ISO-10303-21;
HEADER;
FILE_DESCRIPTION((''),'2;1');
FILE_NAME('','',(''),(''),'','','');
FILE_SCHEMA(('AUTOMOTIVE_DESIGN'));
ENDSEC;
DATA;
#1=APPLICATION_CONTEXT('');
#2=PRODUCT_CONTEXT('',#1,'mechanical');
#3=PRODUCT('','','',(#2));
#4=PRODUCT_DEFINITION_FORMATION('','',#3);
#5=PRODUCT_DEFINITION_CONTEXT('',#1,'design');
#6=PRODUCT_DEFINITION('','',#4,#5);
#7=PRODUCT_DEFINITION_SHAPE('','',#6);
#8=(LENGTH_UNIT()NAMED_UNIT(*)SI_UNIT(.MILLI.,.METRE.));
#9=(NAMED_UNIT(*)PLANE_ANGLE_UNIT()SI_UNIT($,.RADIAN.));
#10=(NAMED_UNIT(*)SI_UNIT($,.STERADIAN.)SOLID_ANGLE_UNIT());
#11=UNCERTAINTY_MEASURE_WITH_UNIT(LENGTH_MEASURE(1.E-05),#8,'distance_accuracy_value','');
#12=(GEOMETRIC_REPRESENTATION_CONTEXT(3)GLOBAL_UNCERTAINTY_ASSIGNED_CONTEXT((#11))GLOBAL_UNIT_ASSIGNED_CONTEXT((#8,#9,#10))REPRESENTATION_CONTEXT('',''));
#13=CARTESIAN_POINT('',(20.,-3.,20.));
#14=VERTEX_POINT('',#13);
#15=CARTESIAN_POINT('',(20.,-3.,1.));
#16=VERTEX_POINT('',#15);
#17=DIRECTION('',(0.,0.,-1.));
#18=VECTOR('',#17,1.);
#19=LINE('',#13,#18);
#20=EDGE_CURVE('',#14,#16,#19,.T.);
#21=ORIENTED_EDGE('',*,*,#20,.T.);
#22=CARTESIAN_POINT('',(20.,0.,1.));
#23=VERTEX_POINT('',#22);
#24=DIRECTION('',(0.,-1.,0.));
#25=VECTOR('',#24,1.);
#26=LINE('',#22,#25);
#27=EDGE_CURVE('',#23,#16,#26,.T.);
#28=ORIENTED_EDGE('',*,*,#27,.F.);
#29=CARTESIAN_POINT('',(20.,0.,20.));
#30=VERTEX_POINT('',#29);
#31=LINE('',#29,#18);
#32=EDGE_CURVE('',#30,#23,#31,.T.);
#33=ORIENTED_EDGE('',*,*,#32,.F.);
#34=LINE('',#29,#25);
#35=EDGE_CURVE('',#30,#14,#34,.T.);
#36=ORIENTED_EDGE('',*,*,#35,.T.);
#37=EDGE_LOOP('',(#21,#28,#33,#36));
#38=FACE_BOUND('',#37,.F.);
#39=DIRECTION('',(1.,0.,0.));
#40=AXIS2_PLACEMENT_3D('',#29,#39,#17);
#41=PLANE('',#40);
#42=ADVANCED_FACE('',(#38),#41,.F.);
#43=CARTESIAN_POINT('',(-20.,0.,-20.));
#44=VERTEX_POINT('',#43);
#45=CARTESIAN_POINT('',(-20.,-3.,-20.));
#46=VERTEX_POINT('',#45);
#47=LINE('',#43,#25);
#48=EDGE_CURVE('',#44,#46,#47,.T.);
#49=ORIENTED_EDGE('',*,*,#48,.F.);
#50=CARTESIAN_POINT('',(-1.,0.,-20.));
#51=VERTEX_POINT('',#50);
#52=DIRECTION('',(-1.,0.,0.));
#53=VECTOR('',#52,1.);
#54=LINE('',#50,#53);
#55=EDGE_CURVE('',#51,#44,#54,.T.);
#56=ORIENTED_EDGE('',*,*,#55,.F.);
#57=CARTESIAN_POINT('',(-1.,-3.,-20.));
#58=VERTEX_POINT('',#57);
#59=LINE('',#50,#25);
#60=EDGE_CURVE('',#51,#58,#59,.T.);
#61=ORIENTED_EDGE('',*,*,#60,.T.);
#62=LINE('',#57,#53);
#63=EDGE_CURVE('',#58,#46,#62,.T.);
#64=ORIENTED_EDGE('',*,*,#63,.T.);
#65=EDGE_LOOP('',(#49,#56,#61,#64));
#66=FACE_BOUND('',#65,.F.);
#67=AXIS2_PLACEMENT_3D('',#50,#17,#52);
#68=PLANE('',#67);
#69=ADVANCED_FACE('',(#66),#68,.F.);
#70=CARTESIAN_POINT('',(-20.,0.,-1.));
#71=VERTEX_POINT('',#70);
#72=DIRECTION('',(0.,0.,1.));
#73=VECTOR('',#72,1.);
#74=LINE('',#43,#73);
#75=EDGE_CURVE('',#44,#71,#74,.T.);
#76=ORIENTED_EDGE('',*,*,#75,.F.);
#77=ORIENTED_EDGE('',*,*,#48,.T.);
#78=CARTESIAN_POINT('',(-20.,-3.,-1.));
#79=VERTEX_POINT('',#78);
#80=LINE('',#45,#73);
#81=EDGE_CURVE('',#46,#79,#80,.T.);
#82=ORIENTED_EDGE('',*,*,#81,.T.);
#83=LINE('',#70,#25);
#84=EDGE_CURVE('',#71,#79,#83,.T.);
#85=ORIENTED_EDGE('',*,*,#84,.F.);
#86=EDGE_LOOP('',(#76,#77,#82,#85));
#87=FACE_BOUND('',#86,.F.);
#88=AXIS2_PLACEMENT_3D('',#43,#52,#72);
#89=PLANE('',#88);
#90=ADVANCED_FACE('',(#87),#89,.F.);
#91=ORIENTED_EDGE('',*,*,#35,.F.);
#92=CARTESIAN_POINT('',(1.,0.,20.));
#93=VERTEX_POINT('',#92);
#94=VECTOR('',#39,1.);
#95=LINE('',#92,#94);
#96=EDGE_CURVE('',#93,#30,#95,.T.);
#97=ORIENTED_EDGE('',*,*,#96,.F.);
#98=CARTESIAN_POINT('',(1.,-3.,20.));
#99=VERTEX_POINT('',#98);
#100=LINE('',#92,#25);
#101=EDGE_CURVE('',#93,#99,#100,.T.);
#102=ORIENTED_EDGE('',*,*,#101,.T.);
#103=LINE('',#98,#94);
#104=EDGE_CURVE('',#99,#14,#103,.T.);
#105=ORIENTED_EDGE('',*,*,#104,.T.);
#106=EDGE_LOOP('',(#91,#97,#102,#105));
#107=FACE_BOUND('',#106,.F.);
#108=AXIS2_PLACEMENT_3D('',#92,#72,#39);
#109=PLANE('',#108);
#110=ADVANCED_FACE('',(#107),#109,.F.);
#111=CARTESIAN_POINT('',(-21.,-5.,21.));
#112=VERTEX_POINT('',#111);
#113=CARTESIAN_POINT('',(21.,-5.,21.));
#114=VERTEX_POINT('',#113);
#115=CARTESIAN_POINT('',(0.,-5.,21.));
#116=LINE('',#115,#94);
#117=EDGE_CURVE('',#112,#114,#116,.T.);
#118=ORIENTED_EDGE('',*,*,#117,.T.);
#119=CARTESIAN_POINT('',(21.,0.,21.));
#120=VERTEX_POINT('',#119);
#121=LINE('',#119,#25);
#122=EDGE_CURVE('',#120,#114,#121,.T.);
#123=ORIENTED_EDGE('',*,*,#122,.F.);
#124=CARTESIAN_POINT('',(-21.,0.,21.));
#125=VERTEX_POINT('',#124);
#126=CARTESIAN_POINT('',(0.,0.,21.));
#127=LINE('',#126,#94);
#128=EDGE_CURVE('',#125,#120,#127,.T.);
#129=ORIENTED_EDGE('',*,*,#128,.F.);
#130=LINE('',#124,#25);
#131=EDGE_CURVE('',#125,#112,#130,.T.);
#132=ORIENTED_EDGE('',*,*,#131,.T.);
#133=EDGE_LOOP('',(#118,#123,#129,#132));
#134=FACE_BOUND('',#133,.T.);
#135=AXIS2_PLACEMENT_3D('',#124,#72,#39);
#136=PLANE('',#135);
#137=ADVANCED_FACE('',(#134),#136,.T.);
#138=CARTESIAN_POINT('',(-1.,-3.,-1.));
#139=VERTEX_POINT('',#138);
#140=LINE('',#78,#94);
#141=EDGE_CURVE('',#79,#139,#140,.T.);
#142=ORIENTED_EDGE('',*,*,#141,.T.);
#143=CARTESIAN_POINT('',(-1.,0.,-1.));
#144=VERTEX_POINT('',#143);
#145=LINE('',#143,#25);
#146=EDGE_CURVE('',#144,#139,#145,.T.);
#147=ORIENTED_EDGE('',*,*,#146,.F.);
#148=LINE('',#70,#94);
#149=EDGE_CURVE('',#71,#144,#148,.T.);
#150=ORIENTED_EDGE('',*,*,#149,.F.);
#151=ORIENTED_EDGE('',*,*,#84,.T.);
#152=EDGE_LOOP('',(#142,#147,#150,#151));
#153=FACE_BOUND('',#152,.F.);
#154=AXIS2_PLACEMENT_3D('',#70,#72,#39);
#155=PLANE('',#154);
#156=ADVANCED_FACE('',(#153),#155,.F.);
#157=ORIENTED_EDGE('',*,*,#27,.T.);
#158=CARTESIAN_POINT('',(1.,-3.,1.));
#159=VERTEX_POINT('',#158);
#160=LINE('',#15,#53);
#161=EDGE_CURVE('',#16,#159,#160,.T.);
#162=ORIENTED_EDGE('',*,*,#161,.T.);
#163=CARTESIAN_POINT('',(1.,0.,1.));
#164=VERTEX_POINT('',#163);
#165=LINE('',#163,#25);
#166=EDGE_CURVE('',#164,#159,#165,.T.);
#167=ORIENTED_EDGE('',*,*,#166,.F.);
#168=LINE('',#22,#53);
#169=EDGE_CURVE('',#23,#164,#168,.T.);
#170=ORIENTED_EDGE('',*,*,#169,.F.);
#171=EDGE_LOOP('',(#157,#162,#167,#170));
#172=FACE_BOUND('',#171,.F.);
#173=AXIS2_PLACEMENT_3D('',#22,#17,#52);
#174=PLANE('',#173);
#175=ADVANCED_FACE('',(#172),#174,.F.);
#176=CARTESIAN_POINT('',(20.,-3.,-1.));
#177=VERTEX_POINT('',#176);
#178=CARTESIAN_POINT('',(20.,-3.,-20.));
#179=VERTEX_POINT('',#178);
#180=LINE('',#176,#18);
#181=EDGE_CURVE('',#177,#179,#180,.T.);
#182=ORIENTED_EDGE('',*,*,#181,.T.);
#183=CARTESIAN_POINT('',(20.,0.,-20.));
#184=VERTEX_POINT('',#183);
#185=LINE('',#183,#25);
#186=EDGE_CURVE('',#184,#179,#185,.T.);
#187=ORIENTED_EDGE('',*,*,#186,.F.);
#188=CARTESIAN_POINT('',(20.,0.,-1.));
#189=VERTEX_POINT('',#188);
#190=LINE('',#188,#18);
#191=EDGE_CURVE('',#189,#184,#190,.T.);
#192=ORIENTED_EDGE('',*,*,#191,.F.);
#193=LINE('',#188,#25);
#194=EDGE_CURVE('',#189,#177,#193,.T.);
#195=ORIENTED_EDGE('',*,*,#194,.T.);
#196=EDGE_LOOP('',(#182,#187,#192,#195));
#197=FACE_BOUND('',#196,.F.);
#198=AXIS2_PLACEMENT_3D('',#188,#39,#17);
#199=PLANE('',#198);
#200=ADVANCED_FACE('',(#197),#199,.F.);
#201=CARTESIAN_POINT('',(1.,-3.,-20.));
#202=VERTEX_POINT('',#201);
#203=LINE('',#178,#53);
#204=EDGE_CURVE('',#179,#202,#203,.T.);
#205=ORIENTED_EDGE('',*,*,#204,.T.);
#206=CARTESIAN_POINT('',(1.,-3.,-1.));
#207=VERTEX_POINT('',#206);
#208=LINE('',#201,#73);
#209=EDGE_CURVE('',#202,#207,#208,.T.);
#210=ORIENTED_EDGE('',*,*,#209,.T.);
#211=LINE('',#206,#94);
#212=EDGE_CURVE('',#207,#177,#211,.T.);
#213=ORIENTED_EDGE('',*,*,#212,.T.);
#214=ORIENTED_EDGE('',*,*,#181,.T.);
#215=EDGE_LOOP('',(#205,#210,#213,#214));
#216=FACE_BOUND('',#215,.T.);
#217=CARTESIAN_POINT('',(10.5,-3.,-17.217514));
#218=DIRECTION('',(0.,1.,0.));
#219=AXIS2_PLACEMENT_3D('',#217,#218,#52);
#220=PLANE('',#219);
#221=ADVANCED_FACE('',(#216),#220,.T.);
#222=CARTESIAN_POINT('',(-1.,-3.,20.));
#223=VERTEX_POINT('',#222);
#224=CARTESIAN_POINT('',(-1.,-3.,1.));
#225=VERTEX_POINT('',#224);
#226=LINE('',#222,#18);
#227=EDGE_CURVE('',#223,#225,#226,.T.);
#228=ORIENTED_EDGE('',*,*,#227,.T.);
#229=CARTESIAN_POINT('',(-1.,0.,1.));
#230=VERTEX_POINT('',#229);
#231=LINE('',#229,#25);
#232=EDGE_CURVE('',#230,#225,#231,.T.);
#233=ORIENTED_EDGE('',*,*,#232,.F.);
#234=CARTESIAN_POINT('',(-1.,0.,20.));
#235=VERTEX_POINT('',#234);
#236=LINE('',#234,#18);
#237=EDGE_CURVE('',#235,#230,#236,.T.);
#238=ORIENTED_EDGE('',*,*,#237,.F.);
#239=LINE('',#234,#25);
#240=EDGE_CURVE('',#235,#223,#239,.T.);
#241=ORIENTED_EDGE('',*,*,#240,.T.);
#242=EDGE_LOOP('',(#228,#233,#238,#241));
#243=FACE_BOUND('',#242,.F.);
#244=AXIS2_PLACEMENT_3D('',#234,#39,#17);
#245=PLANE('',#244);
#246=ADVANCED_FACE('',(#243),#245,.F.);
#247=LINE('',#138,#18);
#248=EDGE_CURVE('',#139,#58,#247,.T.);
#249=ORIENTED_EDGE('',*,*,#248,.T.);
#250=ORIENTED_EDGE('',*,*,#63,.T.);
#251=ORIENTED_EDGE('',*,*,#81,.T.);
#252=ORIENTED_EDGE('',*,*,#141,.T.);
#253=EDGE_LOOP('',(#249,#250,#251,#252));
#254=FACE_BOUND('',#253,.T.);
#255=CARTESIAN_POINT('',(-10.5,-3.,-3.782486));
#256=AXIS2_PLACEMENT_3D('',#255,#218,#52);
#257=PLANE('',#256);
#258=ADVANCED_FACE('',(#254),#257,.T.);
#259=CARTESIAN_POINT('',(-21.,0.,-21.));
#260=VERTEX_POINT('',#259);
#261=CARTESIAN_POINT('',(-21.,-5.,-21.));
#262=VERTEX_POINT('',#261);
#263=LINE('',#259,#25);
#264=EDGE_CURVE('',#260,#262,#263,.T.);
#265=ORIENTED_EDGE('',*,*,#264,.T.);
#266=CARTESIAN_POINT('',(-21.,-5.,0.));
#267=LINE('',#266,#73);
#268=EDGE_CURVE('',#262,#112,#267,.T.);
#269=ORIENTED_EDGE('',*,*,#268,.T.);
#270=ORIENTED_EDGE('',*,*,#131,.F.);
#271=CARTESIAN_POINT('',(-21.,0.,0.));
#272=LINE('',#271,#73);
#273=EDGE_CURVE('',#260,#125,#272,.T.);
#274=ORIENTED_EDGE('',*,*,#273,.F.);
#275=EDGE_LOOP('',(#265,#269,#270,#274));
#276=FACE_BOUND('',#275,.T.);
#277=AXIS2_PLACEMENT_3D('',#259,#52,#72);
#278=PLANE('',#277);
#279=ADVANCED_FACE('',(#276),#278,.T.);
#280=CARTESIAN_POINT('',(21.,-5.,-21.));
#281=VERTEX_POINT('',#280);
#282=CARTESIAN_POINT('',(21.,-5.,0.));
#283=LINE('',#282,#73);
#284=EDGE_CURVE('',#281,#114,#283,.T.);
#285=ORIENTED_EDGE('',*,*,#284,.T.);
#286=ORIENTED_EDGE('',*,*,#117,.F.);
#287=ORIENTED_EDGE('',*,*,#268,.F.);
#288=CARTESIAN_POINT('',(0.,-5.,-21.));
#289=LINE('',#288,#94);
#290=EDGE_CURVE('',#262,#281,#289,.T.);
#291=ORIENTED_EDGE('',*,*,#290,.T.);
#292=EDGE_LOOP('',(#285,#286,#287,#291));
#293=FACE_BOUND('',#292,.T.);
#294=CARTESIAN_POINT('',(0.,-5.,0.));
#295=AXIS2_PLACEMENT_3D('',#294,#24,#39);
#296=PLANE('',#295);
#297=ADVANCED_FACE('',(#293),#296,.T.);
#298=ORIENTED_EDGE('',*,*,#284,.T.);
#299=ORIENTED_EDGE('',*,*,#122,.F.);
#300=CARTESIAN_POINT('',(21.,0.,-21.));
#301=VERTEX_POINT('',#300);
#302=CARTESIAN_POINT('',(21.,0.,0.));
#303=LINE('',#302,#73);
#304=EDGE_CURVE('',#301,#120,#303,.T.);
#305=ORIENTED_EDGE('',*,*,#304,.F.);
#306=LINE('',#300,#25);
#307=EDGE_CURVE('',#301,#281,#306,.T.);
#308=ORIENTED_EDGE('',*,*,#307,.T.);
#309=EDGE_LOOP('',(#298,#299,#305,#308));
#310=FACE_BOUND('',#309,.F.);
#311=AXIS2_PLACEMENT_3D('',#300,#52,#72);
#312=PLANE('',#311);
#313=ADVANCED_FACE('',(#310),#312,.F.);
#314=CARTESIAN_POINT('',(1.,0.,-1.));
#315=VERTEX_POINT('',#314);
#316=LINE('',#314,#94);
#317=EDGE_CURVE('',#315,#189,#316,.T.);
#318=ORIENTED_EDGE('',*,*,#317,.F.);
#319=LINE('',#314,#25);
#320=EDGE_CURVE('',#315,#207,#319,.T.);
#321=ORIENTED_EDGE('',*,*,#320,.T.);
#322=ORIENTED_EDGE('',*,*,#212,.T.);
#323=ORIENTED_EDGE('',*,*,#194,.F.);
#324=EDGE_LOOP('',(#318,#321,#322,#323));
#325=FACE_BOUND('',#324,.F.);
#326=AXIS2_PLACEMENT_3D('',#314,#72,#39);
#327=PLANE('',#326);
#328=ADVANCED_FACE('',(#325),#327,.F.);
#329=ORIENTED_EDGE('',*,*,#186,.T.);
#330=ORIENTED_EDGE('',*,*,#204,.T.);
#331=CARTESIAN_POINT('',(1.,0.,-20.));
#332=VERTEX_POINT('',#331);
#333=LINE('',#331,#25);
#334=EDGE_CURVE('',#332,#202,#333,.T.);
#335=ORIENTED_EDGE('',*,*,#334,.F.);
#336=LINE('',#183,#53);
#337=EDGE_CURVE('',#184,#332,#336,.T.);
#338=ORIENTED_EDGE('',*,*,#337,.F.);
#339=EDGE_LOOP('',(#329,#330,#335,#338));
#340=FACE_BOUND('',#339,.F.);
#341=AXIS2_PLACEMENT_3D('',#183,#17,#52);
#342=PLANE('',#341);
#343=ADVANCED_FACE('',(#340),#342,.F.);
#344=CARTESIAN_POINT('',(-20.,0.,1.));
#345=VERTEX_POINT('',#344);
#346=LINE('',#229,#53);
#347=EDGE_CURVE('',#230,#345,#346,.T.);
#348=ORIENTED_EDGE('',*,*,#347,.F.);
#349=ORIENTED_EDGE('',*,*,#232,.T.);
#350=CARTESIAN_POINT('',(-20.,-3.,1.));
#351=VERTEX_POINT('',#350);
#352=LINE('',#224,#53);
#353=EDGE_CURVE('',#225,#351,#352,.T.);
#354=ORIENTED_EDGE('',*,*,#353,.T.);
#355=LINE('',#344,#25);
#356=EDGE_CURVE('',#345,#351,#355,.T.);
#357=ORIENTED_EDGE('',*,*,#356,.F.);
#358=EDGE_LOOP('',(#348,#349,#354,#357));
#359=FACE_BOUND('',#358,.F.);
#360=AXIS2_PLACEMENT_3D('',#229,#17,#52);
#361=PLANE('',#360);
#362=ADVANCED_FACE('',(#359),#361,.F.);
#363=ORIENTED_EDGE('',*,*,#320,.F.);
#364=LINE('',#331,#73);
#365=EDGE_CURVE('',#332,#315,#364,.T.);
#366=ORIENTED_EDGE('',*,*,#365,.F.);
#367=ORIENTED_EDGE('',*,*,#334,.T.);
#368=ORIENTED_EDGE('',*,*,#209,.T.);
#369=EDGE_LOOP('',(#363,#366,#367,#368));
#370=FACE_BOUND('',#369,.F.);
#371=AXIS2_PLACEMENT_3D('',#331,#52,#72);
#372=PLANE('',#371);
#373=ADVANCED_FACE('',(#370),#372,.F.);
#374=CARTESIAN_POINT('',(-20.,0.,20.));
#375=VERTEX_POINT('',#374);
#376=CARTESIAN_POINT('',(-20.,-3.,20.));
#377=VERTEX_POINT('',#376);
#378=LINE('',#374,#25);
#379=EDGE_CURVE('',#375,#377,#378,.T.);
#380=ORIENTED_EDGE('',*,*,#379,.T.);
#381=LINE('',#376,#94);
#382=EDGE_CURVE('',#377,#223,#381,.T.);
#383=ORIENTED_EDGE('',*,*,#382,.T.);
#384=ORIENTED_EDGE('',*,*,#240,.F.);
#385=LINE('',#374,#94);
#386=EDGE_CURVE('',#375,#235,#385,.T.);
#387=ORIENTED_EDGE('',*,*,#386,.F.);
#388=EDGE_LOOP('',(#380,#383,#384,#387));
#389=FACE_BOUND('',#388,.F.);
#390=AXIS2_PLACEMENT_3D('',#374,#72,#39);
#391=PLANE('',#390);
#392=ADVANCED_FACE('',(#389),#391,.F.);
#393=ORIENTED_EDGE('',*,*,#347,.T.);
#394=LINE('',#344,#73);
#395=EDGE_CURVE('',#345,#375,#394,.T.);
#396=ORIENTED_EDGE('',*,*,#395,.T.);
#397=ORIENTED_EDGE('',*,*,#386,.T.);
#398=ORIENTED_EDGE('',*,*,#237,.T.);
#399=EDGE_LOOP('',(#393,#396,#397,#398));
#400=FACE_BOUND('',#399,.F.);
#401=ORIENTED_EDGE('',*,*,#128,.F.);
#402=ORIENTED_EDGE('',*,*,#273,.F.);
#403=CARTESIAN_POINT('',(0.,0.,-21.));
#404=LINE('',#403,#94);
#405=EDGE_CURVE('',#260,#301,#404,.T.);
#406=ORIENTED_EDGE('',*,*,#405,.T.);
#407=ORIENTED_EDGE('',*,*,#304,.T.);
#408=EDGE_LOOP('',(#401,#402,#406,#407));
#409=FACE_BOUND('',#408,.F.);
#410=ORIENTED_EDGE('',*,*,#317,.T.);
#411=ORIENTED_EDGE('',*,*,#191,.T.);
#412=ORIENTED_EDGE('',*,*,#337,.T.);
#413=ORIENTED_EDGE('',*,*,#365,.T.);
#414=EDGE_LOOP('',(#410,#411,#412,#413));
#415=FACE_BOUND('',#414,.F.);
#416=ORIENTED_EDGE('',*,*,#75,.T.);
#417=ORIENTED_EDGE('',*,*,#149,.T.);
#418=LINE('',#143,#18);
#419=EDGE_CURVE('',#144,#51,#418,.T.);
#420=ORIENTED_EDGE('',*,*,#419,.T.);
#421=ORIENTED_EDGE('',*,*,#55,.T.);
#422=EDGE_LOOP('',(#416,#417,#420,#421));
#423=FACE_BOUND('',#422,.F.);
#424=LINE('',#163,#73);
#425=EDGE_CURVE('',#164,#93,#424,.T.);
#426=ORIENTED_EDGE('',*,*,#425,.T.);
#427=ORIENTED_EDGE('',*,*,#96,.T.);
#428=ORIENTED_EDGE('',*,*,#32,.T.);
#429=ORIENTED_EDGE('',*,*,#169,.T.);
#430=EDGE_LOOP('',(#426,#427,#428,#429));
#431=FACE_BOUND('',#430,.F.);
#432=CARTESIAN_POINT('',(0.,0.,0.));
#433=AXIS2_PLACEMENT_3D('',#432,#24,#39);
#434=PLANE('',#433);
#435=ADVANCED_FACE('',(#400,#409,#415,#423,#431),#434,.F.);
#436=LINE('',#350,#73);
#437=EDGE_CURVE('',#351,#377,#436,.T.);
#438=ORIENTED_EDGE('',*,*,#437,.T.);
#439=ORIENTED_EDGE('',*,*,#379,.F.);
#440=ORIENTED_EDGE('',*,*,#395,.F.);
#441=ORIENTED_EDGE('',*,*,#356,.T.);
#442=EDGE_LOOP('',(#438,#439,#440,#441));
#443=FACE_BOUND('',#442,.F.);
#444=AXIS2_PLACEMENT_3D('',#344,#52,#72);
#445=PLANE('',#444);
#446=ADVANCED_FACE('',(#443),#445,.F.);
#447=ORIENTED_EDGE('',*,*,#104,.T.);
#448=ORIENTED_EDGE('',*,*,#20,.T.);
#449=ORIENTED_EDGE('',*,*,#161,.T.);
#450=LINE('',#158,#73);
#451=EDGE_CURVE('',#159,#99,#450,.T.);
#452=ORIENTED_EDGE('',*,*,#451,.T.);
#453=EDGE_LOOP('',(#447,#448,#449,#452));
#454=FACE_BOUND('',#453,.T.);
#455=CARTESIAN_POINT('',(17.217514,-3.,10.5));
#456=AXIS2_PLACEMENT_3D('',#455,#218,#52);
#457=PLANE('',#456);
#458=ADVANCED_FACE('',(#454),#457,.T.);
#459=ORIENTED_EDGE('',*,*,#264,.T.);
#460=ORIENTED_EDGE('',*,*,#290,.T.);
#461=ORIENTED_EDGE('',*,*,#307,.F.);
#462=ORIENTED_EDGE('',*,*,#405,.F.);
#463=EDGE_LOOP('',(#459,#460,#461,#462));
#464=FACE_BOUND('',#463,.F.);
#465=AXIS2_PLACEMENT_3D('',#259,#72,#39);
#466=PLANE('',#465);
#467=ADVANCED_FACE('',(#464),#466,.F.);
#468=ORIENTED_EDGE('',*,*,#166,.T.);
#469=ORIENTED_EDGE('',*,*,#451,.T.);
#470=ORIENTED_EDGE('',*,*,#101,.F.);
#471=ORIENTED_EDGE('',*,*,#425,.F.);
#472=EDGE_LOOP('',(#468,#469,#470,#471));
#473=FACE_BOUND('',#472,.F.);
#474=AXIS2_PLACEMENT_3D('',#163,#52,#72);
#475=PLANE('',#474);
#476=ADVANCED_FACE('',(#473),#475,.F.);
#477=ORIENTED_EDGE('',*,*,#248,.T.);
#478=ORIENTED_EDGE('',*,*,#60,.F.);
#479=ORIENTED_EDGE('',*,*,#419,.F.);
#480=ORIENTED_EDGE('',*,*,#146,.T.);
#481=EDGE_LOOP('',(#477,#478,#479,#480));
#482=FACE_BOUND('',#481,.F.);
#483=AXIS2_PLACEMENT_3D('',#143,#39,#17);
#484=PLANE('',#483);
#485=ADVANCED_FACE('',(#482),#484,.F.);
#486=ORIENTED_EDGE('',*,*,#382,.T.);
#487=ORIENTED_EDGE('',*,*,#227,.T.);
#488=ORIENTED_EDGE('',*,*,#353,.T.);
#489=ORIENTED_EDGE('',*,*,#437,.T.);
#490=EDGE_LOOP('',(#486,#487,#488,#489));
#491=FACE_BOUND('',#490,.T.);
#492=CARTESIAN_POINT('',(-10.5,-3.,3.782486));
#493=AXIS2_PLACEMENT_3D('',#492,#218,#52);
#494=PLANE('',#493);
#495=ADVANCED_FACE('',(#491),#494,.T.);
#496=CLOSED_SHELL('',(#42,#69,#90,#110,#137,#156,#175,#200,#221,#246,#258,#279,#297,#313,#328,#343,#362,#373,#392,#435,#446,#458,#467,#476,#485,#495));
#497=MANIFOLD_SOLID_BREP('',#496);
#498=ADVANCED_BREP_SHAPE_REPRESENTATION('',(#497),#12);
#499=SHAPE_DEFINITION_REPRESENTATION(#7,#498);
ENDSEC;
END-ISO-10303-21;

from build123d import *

# Parameters (mm, degrees)
F0_W     = 42
F0_H     = 42
F1_DEPTH = 5
F3_DEPTH = 3


with BuildPart() as f1:
    # F0 (on Front) → F1 (new body)
    with BuildSketch(Plane.XZ):
        Rectangle(F0_W, F0_H)
    extrude(amount=F1_DEPTH)

    # F2 (on face) → F3 (cut)
    with BuildSketch(Plane(origin=(0, 0, 0), x_dir=(-1, 0, 0), z_dir=(0, 1, 0))):
        Polygon((-10.5, 10.5), (-20, 20), (-20, 1), align=None)
        Polygon((-1, 1), (-10.5, 10.5), (-20, 1), align=None)
        Polygon((-1, 20), (-10.5, 10.5), (-1, 1), align=None)
        Polygon((-1, 20), (-20, 20), (-10.5, 10.5), align=None)
        Polygon((20, 1), (10.5, 10.5), (1, 1), align=None)
        Polygon((20, 20), (10.5, 10.5), (20, 1), align=None)
        Polygon((10.5, 10.5), (1, 20), (1, 1), align=None)
        Polygon((20, 20), (1, 20), (10.5, 10.5), align=None)
        Polygon((10.5, -10.5), (20, -1), (1, -1), align=None)
        Polygon((1, -1), (1, -20), (10.5, -10.5), align=None)
        Polygon((20, -20), (20, -1), (10.5, -10.5), align=None)
        Polygon((-1, -20), (-10.5, -10.5), (-20, -20), align=None)
        Polygon((10.5, -10.5), (1, -20), (20, -20), align=None)
        Polygon((-1, -1), (-10.5, -10.5), (-1, -20), align=None)
        Polygon((-1, -1), (-20, -1), (-10.5, -10.5), align=None)
        Polygon((-10.5, -10.5), (-20, -1), (-20, -20), align=None)
    extrude(amount=-F3_DEPTH, mode=Mode.SUBTRACT)


solid = f1.part
